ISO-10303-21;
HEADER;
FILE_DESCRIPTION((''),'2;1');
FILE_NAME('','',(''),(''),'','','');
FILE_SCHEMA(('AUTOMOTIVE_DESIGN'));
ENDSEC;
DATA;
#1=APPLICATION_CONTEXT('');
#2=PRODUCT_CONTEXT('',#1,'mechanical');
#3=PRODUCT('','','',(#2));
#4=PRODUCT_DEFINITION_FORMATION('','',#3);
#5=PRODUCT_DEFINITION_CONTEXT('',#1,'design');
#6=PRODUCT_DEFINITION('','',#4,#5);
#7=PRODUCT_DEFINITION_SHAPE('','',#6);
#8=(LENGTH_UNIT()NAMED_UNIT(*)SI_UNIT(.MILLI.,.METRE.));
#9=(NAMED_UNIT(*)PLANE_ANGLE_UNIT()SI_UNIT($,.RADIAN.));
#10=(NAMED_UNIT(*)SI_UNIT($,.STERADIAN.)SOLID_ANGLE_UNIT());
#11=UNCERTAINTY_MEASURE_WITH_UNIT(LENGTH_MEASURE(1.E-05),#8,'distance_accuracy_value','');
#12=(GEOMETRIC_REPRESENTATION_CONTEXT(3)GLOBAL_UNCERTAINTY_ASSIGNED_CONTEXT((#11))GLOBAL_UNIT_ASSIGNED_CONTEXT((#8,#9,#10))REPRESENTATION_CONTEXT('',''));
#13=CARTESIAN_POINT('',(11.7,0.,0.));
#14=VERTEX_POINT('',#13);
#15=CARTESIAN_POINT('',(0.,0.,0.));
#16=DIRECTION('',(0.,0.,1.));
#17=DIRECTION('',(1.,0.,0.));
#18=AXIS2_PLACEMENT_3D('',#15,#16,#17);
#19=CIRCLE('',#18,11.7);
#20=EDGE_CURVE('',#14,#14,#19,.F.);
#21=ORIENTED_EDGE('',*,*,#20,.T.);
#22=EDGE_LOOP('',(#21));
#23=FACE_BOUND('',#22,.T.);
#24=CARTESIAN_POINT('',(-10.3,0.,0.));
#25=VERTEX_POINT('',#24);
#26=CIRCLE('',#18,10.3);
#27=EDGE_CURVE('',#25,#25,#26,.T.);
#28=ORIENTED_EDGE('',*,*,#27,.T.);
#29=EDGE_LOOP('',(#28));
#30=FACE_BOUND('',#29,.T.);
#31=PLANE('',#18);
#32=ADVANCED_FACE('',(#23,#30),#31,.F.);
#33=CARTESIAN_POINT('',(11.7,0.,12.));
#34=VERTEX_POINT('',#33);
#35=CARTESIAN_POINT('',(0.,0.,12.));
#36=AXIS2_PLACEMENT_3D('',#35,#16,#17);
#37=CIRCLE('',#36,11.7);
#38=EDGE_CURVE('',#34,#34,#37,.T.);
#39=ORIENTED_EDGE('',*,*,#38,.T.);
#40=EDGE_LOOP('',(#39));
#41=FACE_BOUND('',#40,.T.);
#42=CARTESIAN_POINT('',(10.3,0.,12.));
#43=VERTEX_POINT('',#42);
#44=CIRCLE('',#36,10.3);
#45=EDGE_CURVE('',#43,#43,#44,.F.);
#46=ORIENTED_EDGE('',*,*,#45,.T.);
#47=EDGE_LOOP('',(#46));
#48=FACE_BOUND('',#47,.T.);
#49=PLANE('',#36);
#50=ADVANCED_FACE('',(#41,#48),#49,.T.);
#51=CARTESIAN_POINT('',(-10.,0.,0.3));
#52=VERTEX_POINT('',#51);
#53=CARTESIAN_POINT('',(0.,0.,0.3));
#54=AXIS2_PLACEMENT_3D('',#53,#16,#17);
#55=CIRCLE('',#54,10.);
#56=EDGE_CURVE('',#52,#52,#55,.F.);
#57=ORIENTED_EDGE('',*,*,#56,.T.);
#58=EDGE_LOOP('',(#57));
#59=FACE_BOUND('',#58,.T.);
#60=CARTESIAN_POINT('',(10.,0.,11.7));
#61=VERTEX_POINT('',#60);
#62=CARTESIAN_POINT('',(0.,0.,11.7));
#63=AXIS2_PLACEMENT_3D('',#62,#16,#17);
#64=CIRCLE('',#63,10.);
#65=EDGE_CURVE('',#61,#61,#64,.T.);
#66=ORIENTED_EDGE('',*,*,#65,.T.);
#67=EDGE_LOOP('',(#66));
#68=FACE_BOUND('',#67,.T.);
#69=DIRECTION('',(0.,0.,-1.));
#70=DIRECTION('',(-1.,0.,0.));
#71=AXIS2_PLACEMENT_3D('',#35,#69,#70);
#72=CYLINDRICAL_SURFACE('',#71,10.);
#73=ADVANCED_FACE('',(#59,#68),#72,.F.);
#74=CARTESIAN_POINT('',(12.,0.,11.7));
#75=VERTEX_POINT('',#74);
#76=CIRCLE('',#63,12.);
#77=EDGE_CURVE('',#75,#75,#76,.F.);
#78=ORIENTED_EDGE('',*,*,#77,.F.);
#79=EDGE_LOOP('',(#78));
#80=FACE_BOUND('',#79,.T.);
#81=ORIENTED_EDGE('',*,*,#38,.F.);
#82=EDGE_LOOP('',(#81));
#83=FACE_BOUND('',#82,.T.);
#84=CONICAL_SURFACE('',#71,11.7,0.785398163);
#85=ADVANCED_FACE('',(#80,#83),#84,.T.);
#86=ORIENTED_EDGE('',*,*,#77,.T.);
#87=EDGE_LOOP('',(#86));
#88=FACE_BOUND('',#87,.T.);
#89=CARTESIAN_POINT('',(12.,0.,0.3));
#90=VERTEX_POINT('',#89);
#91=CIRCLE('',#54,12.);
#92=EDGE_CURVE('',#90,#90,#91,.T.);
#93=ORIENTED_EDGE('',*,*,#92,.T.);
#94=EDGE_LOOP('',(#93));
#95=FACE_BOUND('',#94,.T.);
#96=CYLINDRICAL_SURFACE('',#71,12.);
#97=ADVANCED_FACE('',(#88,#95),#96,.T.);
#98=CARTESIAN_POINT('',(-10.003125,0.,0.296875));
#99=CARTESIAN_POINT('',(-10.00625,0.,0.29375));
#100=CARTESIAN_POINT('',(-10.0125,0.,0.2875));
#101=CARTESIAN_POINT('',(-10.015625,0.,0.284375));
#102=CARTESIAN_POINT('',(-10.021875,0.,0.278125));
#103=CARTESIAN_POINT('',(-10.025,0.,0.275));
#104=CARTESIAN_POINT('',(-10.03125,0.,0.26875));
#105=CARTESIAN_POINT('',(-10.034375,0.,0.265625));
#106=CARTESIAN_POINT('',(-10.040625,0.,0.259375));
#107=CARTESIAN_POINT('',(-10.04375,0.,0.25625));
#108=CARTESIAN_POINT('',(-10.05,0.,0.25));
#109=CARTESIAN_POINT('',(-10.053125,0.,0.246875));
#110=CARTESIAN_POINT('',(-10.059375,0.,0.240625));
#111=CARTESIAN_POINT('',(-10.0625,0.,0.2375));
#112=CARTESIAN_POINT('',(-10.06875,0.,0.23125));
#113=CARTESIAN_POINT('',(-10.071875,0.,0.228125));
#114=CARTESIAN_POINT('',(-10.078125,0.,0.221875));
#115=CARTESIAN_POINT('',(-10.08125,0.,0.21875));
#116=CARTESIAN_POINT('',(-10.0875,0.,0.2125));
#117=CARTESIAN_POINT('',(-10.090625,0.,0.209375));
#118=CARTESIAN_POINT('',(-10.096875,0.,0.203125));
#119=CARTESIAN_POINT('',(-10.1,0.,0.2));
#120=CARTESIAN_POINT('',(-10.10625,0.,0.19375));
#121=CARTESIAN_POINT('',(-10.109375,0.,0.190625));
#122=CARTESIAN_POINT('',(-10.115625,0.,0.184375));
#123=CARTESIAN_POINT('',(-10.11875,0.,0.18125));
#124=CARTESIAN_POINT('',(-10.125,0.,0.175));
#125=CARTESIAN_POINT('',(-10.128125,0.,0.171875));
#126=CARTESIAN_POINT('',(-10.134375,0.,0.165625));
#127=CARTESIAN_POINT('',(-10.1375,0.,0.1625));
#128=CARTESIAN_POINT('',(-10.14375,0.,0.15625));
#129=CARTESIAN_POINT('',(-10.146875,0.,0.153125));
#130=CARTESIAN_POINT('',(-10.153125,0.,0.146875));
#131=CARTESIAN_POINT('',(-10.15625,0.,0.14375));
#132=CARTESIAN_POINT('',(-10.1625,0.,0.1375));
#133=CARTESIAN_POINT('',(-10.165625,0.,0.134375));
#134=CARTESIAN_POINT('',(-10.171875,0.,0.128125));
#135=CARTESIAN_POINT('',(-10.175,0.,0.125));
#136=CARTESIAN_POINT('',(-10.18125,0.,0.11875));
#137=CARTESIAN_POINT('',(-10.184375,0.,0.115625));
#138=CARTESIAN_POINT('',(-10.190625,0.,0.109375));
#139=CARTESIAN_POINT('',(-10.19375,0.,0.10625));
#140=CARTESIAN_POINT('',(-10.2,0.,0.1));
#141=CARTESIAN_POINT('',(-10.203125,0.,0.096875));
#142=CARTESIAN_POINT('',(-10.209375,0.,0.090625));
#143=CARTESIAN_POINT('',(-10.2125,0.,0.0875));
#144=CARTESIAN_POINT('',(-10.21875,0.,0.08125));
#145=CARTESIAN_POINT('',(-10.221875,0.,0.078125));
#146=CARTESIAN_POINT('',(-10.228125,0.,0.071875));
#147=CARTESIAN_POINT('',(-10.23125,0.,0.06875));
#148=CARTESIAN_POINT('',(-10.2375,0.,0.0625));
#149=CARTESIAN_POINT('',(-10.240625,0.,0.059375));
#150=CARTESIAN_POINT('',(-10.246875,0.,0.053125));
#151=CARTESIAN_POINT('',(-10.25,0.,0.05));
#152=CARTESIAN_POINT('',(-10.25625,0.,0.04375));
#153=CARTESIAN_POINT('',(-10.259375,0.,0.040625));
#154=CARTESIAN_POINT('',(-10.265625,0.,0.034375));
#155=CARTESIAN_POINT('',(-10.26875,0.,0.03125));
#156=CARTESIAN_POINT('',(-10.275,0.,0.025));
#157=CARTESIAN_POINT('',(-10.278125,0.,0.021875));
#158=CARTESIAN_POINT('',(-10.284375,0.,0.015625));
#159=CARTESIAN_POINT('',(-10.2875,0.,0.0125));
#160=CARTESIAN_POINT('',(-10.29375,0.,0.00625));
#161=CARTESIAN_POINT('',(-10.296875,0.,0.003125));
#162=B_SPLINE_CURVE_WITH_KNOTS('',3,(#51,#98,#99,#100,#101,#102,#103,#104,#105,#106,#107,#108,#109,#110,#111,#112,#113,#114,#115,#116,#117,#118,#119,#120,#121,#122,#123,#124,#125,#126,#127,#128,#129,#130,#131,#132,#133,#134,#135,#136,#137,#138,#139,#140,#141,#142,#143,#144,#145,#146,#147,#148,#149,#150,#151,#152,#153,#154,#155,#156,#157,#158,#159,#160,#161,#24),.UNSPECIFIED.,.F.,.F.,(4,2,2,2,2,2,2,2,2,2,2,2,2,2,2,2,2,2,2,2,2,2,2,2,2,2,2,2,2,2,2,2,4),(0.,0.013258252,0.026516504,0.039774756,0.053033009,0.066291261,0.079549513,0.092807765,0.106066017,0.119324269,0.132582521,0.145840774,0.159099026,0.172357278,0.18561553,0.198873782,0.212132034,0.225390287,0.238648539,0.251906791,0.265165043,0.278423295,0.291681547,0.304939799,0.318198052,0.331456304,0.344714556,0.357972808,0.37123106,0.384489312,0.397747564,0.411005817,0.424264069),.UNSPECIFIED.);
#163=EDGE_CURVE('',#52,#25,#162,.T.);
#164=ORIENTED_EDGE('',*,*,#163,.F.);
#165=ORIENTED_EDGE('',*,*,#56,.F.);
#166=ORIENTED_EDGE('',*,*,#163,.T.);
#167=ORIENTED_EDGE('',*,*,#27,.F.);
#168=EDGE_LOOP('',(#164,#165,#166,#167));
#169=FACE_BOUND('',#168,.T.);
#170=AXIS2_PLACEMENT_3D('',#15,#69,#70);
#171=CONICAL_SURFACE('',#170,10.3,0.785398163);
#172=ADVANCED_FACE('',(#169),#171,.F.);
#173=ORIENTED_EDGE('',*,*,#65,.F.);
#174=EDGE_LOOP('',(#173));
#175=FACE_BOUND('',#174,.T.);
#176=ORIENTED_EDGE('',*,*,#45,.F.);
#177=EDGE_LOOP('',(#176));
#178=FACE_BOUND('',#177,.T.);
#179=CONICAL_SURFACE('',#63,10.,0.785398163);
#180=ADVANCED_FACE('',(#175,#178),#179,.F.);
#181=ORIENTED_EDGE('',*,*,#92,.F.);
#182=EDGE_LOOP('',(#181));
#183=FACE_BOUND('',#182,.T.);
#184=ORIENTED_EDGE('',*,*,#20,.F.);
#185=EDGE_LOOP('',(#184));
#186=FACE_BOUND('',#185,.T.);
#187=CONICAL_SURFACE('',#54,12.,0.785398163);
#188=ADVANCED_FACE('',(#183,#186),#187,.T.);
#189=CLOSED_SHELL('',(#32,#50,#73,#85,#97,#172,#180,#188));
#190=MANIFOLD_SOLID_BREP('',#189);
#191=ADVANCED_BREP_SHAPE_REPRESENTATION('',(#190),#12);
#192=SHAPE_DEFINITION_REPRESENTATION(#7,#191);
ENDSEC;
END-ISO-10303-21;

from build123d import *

# Parameters (mm, degrees)
SKETCH_1_R      = 12
SKETCH_1_R_2    = 10
EXTRUDE_1_DEPTH = 12
CHAMFER_1_SIZE  = 0.3


with BuildPart() as part:
    # 草图1 → 凸台-拉伸1 (new body)
    with BuildSketch(Plane.XY):
        Circle(SKETCH_1_R)
        Circle(SKETCH_1_R_2, mode=Mode.SUBTRACT)
    extrude(amount=EXTRUDE_1_DEPTH)

    # 倒角1
    chamfer_1_edges = [part.edges().sort_by_distance(p)[0] for p in [
        (-12, 0, 0),
        (-12, 0, 12),
        (-10, 0, 0),
        (-10, 0, 12),
    ]]
    chamfer(chamfer_1_edges, length=CHAMFER_1_SIZE)


solid = part.part
